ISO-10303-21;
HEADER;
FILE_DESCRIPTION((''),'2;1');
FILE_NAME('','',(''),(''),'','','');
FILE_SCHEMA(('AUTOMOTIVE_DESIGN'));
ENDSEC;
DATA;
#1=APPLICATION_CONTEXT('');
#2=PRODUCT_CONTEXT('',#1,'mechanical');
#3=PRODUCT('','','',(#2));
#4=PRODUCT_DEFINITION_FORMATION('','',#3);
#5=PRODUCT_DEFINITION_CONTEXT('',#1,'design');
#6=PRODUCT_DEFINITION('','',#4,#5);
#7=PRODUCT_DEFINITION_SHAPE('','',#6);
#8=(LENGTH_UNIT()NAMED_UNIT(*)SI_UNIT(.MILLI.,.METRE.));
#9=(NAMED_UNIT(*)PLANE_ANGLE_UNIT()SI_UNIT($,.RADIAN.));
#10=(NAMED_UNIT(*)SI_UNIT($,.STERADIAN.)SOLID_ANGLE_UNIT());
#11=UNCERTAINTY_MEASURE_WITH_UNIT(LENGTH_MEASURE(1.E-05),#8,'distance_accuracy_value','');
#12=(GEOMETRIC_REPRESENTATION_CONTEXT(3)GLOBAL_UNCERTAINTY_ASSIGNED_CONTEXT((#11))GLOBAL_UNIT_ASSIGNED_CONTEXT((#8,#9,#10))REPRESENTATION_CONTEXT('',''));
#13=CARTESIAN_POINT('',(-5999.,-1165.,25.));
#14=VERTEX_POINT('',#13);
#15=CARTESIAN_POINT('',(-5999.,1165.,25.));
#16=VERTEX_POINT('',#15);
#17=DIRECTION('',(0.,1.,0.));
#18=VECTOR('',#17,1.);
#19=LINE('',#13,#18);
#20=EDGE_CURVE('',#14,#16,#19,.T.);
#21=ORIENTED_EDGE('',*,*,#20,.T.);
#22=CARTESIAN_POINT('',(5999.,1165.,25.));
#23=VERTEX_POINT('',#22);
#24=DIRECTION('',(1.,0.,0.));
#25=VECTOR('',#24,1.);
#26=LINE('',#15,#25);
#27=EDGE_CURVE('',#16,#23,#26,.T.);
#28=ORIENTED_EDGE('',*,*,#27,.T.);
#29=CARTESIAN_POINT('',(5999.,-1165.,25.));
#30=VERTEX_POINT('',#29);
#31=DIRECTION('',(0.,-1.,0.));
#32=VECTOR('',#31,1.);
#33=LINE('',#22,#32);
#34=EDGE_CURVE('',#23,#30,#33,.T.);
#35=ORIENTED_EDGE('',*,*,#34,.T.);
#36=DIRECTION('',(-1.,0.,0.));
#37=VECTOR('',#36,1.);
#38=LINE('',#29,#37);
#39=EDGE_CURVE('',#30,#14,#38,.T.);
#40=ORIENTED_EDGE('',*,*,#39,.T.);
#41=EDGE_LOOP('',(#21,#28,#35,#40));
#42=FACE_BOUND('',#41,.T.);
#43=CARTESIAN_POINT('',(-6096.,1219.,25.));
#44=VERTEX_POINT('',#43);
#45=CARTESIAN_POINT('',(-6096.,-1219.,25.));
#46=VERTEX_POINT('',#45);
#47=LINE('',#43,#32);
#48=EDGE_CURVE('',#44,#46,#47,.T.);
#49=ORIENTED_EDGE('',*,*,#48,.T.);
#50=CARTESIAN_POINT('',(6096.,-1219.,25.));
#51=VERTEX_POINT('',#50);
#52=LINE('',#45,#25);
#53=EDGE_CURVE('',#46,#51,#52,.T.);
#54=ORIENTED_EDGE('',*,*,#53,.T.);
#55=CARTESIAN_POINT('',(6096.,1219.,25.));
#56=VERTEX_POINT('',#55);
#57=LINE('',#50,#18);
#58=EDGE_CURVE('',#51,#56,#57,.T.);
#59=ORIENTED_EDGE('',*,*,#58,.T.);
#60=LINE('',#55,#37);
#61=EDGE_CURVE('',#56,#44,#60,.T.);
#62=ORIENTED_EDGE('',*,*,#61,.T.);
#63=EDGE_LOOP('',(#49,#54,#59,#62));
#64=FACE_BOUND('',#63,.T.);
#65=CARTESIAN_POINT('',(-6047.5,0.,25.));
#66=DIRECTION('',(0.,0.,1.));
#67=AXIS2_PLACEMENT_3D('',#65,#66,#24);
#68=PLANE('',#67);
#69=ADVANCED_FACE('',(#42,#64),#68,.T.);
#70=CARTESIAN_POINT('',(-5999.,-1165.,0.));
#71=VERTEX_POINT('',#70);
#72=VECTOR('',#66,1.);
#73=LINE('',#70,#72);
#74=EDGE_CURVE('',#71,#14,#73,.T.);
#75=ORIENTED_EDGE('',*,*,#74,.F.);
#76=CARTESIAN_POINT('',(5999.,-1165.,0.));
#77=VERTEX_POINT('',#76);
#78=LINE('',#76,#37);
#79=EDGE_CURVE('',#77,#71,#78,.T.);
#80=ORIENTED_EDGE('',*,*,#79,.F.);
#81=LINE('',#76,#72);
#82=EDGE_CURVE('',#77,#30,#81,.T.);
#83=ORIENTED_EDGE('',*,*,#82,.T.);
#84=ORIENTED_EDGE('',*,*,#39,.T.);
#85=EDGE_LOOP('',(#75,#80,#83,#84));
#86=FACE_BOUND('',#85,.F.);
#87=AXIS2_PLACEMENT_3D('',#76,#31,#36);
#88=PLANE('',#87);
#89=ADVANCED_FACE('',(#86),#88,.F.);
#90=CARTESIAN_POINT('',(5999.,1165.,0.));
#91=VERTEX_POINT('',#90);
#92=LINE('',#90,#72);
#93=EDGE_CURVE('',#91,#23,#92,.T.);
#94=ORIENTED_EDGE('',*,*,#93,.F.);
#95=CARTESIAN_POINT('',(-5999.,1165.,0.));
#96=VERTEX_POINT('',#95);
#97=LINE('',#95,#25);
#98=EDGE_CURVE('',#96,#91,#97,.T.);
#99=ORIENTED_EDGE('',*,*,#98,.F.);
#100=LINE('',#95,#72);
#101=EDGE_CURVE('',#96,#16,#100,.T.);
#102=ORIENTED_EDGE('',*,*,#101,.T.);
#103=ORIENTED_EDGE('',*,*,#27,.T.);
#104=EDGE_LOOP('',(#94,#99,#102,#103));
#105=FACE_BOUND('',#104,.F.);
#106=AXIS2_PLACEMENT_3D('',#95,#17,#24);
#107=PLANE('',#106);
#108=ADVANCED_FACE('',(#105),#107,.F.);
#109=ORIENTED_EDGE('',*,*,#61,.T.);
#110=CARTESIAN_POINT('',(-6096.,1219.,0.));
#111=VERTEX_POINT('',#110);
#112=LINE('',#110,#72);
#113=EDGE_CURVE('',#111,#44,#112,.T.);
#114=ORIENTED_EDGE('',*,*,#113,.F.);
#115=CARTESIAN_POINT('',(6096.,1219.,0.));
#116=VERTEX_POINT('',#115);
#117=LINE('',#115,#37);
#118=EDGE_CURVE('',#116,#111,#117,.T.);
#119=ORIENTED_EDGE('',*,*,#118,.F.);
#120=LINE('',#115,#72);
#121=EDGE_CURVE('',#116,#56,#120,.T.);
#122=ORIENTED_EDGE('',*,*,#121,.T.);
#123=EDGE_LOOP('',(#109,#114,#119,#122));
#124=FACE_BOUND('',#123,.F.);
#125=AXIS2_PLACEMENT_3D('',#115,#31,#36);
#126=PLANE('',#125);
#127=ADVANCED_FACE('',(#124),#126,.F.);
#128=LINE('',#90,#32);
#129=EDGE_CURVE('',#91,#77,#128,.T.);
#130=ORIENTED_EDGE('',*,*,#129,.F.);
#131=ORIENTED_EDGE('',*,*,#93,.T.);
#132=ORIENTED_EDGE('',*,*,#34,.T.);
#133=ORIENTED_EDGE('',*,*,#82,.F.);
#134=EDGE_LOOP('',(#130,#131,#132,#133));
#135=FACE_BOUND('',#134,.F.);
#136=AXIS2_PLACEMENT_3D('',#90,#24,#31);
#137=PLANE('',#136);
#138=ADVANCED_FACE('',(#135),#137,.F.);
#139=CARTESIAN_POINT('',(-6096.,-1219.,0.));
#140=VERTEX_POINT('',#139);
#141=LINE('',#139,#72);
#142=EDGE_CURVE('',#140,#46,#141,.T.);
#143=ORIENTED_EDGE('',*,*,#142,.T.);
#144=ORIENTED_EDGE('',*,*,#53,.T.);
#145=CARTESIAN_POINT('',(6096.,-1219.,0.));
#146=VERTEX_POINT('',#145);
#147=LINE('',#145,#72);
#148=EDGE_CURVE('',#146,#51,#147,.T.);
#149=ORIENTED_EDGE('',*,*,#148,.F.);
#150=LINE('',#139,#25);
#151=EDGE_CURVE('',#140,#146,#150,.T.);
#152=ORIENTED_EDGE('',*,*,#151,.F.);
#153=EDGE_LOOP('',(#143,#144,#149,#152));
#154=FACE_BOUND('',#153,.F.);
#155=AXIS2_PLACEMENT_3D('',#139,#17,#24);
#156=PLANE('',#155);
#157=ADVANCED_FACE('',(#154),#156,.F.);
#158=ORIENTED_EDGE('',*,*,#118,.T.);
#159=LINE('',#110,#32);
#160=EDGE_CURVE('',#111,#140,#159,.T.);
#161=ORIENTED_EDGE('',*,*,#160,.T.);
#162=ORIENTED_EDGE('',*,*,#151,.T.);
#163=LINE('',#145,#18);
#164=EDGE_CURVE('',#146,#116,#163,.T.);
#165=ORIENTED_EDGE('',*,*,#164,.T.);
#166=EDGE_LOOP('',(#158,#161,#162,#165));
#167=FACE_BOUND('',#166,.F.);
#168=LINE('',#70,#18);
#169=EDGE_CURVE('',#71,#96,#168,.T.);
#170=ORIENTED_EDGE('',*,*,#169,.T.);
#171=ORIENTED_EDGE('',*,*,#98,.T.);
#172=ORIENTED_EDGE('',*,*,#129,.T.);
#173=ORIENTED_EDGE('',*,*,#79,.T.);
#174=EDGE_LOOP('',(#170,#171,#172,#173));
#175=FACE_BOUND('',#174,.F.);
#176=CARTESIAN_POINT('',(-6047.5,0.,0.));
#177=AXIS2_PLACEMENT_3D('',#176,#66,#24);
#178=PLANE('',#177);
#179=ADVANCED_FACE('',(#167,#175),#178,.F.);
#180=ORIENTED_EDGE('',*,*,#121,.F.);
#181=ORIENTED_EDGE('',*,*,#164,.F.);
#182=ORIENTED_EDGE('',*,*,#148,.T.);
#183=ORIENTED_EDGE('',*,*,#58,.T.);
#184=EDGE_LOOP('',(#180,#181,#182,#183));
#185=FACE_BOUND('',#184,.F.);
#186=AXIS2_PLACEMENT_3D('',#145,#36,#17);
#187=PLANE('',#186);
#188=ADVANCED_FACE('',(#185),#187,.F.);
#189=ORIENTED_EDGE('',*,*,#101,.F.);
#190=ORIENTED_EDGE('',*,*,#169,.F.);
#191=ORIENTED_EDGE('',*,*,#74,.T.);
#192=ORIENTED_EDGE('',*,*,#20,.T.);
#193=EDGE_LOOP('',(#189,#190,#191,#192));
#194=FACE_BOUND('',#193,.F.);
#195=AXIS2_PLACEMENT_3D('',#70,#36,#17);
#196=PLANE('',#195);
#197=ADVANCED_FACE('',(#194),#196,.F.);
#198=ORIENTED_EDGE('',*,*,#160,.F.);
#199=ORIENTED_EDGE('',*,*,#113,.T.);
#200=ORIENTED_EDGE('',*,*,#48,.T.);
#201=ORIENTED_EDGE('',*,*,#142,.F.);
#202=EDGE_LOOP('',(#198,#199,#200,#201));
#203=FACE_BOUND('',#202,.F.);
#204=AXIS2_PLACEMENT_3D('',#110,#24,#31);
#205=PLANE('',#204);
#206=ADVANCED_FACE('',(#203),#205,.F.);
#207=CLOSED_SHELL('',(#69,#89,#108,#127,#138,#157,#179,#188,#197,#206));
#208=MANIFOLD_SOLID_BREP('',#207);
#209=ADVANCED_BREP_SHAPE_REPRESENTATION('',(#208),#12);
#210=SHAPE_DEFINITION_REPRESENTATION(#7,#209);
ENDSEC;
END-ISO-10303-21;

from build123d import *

# Parameters (mm, degrees)
F0_W     = 97
F0_H     = 2286
F1_DEPTH = 25


with BuildPart() as f1:
    # F0 (on Top) → F1 (new body)
    with BuildSketch(Plane.XY):
        with Locations((-6047.5, 0)):
            Rectangle(F0_W, F0_H)
        Polygon((-5999, 1165), (5999, 1165), (5999, -1165), (-5999, -1165), (-5999, -1143), (-6096, -1143), (-6096, -1219), (6096, -1219), (6096, 1219), (-6096, 1219), (-6096, 1143), (-5999, 1143), align=None)
    extrude(amount=F1_DEPTH)


solid = f1.part
